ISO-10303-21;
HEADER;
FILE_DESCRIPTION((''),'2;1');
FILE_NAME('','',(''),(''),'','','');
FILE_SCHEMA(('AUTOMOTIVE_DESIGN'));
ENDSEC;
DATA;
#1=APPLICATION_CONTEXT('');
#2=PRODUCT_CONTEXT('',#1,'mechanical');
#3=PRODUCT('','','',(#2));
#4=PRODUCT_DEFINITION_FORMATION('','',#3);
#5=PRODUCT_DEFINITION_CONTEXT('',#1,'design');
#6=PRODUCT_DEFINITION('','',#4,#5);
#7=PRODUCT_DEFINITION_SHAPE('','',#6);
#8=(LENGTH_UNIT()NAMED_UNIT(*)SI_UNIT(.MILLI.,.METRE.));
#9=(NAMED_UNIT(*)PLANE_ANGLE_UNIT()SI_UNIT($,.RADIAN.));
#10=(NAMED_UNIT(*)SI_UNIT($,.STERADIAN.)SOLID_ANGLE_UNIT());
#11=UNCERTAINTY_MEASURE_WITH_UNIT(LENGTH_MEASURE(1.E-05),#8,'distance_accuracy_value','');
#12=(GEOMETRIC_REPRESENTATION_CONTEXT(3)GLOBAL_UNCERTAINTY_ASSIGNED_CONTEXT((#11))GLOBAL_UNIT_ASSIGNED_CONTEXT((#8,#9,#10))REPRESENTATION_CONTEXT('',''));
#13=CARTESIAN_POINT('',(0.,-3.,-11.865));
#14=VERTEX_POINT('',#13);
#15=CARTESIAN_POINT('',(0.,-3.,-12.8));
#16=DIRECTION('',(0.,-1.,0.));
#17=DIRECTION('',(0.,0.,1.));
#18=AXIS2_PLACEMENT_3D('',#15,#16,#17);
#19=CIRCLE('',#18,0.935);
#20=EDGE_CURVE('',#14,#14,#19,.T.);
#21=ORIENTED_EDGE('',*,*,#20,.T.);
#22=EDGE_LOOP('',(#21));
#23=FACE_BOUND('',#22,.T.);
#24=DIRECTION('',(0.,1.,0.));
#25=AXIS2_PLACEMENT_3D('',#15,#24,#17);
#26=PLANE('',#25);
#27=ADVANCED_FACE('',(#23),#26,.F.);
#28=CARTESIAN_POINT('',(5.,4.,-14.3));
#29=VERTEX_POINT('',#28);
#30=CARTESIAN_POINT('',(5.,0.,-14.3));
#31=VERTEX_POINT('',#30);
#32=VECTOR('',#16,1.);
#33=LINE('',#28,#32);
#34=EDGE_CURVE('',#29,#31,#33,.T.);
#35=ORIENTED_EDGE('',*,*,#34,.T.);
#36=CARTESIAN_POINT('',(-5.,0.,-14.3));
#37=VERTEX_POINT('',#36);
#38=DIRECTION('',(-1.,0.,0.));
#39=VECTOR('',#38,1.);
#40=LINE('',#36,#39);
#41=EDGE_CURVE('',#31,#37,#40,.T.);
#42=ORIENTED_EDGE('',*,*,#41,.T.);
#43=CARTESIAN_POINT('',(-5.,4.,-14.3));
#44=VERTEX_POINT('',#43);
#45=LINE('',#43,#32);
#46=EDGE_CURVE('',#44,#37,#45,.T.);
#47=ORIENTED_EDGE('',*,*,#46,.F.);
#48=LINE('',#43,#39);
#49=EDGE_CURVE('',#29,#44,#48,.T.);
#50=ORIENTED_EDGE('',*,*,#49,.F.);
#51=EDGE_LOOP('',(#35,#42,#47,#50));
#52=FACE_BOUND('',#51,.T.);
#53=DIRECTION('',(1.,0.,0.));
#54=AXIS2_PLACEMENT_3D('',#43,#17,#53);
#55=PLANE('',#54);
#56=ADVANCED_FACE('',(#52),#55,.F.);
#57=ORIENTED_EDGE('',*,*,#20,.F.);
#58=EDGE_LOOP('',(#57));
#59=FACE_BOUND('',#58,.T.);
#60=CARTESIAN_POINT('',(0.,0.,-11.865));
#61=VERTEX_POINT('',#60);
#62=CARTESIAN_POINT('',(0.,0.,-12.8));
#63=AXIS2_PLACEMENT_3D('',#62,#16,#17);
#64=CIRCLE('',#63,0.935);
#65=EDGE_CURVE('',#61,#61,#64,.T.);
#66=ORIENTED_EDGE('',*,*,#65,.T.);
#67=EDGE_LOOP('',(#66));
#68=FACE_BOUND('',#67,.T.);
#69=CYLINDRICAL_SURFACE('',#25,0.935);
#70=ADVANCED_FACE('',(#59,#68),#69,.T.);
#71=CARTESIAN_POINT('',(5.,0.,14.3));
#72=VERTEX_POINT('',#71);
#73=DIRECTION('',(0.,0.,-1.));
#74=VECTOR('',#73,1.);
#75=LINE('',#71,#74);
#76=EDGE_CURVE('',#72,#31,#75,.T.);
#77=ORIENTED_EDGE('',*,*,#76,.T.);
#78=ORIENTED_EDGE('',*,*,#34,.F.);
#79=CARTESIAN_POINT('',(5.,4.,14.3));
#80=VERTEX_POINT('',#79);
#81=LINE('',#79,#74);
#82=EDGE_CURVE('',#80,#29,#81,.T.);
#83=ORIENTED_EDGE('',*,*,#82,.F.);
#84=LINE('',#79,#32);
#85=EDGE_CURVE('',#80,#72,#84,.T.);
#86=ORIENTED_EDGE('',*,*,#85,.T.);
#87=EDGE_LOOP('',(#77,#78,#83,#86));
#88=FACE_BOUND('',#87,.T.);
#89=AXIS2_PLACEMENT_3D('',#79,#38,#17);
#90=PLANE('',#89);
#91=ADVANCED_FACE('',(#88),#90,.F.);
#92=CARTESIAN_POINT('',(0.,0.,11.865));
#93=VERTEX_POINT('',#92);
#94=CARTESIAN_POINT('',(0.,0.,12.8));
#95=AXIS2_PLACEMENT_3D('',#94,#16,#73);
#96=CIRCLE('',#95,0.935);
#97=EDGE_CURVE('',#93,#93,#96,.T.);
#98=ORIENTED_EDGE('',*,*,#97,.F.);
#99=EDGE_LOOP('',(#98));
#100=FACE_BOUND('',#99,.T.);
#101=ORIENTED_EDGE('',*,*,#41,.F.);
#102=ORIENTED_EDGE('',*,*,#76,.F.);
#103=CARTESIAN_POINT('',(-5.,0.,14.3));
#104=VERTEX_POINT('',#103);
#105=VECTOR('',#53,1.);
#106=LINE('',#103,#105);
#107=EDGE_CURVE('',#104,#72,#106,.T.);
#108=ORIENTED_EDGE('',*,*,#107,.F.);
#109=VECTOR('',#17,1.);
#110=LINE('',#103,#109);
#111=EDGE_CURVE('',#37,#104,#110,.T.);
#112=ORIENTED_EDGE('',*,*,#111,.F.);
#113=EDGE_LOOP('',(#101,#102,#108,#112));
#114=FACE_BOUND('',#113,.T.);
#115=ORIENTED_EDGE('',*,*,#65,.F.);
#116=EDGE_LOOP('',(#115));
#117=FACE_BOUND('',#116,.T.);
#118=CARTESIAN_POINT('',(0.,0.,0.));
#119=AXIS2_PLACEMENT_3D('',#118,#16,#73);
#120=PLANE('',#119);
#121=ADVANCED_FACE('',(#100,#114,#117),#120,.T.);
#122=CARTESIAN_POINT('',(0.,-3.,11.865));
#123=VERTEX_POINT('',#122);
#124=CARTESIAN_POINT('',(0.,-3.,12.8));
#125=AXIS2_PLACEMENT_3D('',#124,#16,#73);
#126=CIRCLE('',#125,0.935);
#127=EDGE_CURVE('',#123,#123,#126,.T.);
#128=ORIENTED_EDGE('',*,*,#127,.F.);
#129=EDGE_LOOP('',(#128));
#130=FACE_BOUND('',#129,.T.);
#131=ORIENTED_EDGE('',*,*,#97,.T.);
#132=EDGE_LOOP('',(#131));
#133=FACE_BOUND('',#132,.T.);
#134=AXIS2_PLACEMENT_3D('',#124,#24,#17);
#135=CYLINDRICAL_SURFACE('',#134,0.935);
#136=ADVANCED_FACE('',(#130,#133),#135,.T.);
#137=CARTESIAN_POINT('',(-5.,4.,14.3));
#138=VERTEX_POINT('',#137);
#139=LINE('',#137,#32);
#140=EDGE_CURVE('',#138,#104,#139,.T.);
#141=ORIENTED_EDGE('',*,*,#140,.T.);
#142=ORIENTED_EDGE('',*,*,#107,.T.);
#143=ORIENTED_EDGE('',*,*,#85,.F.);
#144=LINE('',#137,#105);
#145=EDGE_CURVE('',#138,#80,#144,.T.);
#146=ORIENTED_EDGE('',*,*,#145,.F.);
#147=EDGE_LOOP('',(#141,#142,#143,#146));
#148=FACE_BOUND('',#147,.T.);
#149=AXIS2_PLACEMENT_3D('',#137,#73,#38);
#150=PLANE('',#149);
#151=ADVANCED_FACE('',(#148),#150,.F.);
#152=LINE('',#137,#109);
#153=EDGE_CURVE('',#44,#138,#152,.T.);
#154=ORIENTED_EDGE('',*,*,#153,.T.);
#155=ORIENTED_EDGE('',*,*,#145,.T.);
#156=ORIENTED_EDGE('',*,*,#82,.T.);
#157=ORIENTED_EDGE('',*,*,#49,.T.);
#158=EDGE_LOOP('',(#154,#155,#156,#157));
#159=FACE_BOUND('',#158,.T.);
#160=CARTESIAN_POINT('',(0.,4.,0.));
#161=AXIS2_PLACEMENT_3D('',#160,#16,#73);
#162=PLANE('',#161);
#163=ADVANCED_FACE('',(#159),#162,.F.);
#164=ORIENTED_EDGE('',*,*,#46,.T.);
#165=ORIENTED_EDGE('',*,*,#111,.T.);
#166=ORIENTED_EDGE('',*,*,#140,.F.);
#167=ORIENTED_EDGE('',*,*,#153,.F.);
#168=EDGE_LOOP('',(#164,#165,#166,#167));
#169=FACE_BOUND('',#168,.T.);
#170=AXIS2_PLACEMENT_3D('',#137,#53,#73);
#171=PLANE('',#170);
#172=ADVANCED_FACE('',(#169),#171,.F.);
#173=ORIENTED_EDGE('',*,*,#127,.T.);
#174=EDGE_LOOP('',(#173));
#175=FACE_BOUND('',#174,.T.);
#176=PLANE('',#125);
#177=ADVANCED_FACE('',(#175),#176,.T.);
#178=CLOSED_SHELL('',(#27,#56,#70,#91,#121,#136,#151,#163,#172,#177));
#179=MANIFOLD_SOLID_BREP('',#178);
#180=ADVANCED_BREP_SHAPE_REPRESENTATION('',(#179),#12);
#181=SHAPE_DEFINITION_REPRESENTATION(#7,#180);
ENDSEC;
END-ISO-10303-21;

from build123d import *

# Parameters (mm, degrees)
SKETCH1_W           = 10
SKETCH1_H           = 28.6
BOSS_EXTRUDE1_DEPTH = 4
SKETCH2_R           = 0.935
BOSS_EXTRUDE2_DEPTH = 3


with BuildPart() as part:
    # Sketch1 → Boss-Extrude1 (new body)
    with BuildSketch(Plane(origin=(0, 0, 0), x_dir=(1, 0, 0), z_dir=(0, 1, 0))):
        Rectangle(SKETCH1_W, SKETCH1_H)
    extrude(amount=BOSS_EXTRUDE1_DEPTH)

    # Sketch2 → Boss-Extrude2 (add)
    with BuildSketch(Plane.XZ):
        with Locations(Location((0, 12.8, 0), (0, 0, 270))):
            Circle(SKETCH2_R)
        with Locations(Location((0, -12.8, 0), (0, 0, 90))):
            Circle(SKETCH2_R)
    extrude(amount=BOSS_EXTRUDE2_DEPTH)


solid = part.part
